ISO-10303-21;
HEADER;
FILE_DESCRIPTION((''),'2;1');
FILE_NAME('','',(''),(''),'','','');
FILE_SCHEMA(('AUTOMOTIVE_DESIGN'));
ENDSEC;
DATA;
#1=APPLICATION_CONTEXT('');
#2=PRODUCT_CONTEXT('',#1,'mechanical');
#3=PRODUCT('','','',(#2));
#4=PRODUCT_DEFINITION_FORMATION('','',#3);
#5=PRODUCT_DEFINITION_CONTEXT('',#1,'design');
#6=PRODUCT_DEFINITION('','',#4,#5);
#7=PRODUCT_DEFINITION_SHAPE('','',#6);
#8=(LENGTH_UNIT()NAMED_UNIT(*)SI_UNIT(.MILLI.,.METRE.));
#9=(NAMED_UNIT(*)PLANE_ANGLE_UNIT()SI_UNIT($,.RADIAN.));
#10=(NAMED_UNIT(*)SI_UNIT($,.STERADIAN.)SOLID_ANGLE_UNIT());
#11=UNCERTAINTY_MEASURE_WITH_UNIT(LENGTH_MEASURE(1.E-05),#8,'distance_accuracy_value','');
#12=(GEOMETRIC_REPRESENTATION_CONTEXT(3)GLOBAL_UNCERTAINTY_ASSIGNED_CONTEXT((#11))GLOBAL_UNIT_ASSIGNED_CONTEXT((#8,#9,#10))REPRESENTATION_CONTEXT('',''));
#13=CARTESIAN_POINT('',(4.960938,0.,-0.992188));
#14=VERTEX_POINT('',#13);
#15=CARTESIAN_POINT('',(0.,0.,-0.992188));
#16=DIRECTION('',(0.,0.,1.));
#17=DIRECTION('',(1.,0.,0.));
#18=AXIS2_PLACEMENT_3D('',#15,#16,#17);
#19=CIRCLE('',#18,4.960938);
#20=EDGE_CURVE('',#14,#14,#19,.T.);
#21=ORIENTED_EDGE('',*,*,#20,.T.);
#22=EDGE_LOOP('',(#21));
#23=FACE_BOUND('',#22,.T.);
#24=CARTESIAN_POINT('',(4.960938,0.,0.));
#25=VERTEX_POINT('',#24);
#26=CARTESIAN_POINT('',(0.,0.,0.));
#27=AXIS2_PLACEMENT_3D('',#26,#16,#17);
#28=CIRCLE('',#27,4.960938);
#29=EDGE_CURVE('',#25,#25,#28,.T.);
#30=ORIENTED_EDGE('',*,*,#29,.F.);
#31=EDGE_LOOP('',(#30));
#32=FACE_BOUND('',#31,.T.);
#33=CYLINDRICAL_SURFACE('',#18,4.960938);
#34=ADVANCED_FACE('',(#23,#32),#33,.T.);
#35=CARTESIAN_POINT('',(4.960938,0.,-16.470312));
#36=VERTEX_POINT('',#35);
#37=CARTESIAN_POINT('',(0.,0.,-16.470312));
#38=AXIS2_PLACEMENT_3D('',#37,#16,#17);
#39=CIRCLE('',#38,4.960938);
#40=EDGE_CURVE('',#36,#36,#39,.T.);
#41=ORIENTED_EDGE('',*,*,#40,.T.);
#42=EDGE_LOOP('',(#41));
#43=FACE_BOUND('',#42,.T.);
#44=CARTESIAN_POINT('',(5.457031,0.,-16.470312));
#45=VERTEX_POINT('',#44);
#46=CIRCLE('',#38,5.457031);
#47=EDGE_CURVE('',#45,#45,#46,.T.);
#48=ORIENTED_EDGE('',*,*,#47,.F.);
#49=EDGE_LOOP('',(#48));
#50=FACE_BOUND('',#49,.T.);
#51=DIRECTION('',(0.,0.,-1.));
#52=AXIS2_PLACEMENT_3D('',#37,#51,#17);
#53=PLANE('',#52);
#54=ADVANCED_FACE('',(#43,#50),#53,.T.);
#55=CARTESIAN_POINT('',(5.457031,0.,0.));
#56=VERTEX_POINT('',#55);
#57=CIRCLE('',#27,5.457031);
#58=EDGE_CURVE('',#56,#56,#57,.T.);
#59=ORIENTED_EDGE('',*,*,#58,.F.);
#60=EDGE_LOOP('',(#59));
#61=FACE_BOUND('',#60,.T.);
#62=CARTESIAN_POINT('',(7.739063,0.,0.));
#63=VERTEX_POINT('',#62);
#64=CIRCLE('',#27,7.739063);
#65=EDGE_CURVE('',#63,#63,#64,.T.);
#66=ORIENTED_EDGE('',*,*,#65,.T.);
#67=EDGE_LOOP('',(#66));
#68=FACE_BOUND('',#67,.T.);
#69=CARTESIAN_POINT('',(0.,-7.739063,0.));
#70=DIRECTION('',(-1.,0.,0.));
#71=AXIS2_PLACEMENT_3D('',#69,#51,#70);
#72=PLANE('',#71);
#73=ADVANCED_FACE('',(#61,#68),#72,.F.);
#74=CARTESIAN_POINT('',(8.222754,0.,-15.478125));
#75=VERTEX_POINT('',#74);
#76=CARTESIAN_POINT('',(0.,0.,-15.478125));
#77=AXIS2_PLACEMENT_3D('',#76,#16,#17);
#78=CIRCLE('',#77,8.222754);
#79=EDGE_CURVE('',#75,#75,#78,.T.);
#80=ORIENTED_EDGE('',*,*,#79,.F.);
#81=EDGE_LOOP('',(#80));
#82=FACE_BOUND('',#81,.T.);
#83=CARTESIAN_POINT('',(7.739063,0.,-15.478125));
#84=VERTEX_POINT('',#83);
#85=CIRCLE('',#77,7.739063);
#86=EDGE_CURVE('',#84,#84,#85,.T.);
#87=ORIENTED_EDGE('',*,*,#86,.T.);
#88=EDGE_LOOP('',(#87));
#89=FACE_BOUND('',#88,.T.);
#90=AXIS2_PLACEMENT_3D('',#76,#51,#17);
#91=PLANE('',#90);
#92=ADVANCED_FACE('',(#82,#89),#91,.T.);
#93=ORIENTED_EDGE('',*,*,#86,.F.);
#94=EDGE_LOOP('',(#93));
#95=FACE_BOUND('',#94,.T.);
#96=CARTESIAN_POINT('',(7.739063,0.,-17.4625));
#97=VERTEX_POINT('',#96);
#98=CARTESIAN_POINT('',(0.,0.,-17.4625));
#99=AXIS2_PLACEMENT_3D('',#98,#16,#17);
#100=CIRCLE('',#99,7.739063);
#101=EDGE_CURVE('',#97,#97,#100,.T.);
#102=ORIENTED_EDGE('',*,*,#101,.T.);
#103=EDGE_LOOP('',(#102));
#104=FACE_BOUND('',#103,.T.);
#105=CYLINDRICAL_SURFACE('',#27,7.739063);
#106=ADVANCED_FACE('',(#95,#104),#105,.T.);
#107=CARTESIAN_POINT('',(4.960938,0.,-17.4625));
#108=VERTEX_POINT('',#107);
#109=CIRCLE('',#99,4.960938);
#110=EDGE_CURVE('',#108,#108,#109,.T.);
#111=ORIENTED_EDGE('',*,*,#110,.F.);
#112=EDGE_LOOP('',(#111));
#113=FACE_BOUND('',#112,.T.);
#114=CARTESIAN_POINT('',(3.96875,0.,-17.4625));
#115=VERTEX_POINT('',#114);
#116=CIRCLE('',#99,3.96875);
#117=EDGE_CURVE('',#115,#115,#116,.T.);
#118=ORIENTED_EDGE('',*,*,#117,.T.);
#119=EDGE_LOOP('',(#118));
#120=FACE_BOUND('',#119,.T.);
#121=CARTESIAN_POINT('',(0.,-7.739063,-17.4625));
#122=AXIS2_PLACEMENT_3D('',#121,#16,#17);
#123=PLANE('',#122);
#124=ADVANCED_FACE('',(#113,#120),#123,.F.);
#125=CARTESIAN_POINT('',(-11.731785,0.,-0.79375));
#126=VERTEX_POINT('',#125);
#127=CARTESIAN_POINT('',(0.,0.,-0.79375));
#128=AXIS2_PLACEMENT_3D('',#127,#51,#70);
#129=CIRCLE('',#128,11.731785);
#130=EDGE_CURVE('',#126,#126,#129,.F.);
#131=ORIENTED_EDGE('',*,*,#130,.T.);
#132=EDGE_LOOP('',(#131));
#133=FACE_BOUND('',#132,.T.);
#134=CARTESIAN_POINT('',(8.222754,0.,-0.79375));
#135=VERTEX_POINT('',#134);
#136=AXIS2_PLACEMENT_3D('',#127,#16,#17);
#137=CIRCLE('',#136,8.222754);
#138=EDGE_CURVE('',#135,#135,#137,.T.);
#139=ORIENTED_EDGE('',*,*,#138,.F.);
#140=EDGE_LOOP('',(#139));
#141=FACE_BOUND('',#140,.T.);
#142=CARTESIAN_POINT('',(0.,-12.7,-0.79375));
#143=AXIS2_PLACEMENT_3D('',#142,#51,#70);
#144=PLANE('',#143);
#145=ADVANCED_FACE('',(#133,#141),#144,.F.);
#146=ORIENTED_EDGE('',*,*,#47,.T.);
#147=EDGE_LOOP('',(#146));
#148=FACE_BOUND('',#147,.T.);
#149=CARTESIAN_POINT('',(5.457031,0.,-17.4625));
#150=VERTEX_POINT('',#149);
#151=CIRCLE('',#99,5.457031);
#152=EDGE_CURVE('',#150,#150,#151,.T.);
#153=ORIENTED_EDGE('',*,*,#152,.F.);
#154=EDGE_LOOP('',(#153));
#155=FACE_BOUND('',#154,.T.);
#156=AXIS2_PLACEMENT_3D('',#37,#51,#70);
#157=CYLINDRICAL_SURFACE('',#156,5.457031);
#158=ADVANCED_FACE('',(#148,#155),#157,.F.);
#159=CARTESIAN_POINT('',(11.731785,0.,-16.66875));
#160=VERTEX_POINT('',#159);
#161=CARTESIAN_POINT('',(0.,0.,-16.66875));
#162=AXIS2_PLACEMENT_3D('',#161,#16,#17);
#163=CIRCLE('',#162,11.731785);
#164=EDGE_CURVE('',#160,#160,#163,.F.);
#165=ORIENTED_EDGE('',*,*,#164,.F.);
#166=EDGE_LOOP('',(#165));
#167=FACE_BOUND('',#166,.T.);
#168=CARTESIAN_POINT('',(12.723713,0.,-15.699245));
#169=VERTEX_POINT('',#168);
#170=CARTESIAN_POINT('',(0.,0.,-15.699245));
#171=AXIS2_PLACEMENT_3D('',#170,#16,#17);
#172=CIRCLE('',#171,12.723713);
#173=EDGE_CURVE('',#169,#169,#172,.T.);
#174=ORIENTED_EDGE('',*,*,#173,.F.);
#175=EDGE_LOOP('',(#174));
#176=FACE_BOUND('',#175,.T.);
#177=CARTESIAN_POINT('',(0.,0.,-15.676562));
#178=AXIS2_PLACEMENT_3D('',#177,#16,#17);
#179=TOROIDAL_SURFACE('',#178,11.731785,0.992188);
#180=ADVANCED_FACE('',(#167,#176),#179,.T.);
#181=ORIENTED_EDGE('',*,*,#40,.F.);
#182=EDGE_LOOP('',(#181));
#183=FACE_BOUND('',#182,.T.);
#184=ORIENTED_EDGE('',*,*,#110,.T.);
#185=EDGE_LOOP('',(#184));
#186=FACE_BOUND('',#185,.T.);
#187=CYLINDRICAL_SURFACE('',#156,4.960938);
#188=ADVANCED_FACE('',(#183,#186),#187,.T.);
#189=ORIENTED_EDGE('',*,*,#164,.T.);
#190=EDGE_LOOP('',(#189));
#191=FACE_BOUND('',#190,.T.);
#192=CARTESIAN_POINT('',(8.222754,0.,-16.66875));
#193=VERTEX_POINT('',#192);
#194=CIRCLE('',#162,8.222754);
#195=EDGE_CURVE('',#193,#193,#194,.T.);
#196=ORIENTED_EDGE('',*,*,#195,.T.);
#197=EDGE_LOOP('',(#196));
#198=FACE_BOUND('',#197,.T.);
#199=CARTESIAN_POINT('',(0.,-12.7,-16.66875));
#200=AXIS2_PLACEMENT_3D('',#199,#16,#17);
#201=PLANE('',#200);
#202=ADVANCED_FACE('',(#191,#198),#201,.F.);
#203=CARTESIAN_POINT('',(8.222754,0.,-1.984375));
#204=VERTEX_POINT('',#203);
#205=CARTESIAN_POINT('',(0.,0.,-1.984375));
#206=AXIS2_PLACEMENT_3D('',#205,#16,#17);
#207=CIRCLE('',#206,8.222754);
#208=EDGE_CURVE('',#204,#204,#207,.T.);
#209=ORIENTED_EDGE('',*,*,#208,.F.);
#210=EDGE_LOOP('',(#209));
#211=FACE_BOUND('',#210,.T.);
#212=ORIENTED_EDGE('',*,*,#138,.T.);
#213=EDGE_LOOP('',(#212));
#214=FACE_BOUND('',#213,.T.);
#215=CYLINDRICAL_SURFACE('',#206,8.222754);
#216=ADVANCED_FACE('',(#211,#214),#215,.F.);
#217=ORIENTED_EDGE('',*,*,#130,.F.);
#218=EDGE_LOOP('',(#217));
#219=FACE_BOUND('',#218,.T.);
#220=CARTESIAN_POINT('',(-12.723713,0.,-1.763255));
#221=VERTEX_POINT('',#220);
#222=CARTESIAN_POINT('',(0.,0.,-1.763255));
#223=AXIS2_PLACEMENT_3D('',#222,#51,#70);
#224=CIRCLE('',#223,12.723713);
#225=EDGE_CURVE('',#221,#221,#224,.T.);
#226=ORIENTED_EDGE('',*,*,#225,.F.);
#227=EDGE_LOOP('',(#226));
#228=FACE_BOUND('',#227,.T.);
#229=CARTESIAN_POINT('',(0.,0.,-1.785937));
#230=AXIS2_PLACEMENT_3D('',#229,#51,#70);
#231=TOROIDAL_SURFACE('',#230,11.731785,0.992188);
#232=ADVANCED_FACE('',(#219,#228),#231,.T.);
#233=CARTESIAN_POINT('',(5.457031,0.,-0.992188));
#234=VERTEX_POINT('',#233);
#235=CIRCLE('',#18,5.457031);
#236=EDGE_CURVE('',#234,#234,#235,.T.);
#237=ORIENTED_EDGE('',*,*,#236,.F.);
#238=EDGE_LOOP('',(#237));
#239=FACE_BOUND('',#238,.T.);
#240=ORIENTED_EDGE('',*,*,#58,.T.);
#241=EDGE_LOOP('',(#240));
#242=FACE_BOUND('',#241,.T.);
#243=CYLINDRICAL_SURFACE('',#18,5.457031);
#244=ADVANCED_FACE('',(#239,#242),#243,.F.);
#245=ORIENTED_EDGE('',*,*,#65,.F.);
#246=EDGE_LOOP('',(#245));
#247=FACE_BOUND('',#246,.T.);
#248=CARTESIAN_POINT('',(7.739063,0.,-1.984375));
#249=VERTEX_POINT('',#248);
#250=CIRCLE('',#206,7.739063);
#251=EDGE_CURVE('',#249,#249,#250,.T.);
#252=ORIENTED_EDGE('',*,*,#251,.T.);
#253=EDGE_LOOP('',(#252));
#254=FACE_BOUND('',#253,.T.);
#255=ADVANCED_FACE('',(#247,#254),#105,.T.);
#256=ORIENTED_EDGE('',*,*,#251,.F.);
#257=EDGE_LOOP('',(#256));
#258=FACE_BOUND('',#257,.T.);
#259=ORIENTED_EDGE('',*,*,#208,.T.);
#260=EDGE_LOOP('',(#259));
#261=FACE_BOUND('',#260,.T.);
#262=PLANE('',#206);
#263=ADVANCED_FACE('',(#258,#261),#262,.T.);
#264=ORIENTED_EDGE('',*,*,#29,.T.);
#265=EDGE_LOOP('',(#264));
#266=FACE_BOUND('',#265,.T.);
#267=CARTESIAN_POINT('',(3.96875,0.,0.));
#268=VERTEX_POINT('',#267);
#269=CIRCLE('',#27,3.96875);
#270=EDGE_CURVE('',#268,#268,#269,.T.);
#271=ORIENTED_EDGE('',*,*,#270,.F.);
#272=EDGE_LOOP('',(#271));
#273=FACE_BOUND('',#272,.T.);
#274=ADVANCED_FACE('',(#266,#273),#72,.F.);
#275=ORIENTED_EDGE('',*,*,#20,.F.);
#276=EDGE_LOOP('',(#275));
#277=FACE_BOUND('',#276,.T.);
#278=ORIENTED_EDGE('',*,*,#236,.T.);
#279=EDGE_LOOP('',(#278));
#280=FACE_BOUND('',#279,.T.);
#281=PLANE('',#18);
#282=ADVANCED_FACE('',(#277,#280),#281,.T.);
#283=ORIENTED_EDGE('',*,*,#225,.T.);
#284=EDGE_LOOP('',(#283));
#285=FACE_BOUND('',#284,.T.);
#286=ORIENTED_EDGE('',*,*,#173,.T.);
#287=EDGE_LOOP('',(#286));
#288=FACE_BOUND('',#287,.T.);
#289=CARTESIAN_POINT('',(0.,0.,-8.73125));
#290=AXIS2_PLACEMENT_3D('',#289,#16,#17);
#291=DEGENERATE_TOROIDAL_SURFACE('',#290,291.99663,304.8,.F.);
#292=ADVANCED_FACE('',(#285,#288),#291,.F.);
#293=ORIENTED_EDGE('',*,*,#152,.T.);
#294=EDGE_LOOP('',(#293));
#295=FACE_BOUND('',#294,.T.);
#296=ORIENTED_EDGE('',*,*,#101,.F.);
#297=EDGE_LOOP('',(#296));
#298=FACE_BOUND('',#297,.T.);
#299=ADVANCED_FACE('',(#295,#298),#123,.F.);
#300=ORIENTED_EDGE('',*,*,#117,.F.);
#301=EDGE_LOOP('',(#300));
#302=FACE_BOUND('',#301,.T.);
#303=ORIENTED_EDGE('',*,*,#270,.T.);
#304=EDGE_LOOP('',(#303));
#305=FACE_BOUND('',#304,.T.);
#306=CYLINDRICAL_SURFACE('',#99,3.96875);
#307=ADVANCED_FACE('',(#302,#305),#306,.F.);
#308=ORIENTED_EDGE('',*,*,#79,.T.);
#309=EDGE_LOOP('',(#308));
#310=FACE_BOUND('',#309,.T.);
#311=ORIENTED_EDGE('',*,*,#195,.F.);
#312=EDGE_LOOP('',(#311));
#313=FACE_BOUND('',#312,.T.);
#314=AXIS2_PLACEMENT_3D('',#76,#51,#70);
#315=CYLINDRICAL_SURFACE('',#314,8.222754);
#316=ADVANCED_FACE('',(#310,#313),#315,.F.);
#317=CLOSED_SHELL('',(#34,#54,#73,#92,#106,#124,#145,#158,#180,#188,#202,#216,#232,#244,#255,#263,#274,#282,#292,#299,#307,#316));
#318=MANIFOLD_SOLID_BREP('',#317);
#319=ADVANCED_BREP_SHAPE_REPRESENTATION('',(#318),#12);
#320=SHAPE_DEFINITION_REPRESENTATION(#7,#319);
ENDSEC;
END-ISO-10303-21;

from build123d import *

# Parameters (mm, degrees)
SKETCH2_R          = 3.96875
CUT_EXTRUDE1_DEPTH = 26.155347309
SKETCH3_R          = 5.45703125
SKETCH3_R_2        = 4.9609375
CUT_EXTRUDE2_DEPTH = 0.992188
CUT_EXTRUDE3_START = -1.190625
SKETCH4_R          = 8.222753906
SKETCH4_R_2        = 7.7390625
CUT_EXTRUDE3_DEPTH = 1.190625
FILLET1_R          = 0.9921875


with BuildPart() as part:
    # Sketch1 → Revolve1 (revolve)
    with BuildSketch(Plane(origin=(0, 0, 0), x_dir=(0, 0, -1), z_dir=(1, 0, 0)), mode=Mode.PRIVATE) as revolve1_sk:
        with BuildLine():
            Line((0, 7.7390625), (0.79375, 7.7390625))
            Line((0.79375, 7.7390625), (0.79375, 12.7))
            ThreePointArc((0.79375, 12.7), (8.73125, 12.803370393), (16.66875, 12.7))
            Line((16.66875, 12.7), (16.66875, 7.7390625))
            Line((16.66875, 7.7390625), (17.4625, 7.7390625))
            Line((17.4625, 7.7390625), (17.4625, 0))
            Line((17.4625, 0), (0, 0))
            Line((0, 0), (0, 7.7390625))
        make_face()
    revolve(revolve1_sk.sketch.rotate(Axis((0, 0, 0), (0, 0, -1)), 90), axis=Axis((0, 0, 0), (0, 0, -1)))

    # Sketch2 → Cut-Extrude1 (cut, through all)
    with BuildSketch(Plane.XY):
        Circle(SKETCH2_R)
    extrude(amount=-CUT_EXTRUDE1_DEPTH, mode=Mode.SUBTRACT)

    # Sketch3 → Cut-Extrude2 (cut)
    with BuildSketch(Plane.XY):
        Circle(SKETCH3_R)
        Circle(SKETCH3_R_2, mode=Mode.SUBTRACT)
    cut_extrude2 = extrude(amount=-CUT_EXTRUDE2_DEPTH, mode=Mode.SUBTRACT)

    # Sketch4 → Cut-Extrude3 (cut)
    with BuildSketch(Plane.XY.offset(-0.79375).offset(CUT_EXTRUDE3_START)):
        Circle(SKETCH4_R)
        Circle(SKETCH4_R_2, mode=Mode.SUBTRACT)
    cut_extrude3 = extrude(amount=CUT_EXTRUDE3_DEPTH, mode=Mode.SUBTRACT)

    # Fillet1
    fillet1_edges = [part.edges().sort_by_distance(p)[0] for p in [
        (-12.7, 0, -16.66875),
        (-12.7, 0, -0.79375),
    ]]
    fillet(fillet1_edges, radius=FILLET1_R)

    # Mirror1: Cut-Extrude2, Cut-Extrude3 across plane
    add(cut_extrude2.mirror(Plane.XY.offset(-8.73125)), mode=Mode.SUBTRACT)
    add(cut_extrude3.mirror(Plane.XY.offset(-8.73125)), mode=Mode.SUBTRACT)


solid = part.part
